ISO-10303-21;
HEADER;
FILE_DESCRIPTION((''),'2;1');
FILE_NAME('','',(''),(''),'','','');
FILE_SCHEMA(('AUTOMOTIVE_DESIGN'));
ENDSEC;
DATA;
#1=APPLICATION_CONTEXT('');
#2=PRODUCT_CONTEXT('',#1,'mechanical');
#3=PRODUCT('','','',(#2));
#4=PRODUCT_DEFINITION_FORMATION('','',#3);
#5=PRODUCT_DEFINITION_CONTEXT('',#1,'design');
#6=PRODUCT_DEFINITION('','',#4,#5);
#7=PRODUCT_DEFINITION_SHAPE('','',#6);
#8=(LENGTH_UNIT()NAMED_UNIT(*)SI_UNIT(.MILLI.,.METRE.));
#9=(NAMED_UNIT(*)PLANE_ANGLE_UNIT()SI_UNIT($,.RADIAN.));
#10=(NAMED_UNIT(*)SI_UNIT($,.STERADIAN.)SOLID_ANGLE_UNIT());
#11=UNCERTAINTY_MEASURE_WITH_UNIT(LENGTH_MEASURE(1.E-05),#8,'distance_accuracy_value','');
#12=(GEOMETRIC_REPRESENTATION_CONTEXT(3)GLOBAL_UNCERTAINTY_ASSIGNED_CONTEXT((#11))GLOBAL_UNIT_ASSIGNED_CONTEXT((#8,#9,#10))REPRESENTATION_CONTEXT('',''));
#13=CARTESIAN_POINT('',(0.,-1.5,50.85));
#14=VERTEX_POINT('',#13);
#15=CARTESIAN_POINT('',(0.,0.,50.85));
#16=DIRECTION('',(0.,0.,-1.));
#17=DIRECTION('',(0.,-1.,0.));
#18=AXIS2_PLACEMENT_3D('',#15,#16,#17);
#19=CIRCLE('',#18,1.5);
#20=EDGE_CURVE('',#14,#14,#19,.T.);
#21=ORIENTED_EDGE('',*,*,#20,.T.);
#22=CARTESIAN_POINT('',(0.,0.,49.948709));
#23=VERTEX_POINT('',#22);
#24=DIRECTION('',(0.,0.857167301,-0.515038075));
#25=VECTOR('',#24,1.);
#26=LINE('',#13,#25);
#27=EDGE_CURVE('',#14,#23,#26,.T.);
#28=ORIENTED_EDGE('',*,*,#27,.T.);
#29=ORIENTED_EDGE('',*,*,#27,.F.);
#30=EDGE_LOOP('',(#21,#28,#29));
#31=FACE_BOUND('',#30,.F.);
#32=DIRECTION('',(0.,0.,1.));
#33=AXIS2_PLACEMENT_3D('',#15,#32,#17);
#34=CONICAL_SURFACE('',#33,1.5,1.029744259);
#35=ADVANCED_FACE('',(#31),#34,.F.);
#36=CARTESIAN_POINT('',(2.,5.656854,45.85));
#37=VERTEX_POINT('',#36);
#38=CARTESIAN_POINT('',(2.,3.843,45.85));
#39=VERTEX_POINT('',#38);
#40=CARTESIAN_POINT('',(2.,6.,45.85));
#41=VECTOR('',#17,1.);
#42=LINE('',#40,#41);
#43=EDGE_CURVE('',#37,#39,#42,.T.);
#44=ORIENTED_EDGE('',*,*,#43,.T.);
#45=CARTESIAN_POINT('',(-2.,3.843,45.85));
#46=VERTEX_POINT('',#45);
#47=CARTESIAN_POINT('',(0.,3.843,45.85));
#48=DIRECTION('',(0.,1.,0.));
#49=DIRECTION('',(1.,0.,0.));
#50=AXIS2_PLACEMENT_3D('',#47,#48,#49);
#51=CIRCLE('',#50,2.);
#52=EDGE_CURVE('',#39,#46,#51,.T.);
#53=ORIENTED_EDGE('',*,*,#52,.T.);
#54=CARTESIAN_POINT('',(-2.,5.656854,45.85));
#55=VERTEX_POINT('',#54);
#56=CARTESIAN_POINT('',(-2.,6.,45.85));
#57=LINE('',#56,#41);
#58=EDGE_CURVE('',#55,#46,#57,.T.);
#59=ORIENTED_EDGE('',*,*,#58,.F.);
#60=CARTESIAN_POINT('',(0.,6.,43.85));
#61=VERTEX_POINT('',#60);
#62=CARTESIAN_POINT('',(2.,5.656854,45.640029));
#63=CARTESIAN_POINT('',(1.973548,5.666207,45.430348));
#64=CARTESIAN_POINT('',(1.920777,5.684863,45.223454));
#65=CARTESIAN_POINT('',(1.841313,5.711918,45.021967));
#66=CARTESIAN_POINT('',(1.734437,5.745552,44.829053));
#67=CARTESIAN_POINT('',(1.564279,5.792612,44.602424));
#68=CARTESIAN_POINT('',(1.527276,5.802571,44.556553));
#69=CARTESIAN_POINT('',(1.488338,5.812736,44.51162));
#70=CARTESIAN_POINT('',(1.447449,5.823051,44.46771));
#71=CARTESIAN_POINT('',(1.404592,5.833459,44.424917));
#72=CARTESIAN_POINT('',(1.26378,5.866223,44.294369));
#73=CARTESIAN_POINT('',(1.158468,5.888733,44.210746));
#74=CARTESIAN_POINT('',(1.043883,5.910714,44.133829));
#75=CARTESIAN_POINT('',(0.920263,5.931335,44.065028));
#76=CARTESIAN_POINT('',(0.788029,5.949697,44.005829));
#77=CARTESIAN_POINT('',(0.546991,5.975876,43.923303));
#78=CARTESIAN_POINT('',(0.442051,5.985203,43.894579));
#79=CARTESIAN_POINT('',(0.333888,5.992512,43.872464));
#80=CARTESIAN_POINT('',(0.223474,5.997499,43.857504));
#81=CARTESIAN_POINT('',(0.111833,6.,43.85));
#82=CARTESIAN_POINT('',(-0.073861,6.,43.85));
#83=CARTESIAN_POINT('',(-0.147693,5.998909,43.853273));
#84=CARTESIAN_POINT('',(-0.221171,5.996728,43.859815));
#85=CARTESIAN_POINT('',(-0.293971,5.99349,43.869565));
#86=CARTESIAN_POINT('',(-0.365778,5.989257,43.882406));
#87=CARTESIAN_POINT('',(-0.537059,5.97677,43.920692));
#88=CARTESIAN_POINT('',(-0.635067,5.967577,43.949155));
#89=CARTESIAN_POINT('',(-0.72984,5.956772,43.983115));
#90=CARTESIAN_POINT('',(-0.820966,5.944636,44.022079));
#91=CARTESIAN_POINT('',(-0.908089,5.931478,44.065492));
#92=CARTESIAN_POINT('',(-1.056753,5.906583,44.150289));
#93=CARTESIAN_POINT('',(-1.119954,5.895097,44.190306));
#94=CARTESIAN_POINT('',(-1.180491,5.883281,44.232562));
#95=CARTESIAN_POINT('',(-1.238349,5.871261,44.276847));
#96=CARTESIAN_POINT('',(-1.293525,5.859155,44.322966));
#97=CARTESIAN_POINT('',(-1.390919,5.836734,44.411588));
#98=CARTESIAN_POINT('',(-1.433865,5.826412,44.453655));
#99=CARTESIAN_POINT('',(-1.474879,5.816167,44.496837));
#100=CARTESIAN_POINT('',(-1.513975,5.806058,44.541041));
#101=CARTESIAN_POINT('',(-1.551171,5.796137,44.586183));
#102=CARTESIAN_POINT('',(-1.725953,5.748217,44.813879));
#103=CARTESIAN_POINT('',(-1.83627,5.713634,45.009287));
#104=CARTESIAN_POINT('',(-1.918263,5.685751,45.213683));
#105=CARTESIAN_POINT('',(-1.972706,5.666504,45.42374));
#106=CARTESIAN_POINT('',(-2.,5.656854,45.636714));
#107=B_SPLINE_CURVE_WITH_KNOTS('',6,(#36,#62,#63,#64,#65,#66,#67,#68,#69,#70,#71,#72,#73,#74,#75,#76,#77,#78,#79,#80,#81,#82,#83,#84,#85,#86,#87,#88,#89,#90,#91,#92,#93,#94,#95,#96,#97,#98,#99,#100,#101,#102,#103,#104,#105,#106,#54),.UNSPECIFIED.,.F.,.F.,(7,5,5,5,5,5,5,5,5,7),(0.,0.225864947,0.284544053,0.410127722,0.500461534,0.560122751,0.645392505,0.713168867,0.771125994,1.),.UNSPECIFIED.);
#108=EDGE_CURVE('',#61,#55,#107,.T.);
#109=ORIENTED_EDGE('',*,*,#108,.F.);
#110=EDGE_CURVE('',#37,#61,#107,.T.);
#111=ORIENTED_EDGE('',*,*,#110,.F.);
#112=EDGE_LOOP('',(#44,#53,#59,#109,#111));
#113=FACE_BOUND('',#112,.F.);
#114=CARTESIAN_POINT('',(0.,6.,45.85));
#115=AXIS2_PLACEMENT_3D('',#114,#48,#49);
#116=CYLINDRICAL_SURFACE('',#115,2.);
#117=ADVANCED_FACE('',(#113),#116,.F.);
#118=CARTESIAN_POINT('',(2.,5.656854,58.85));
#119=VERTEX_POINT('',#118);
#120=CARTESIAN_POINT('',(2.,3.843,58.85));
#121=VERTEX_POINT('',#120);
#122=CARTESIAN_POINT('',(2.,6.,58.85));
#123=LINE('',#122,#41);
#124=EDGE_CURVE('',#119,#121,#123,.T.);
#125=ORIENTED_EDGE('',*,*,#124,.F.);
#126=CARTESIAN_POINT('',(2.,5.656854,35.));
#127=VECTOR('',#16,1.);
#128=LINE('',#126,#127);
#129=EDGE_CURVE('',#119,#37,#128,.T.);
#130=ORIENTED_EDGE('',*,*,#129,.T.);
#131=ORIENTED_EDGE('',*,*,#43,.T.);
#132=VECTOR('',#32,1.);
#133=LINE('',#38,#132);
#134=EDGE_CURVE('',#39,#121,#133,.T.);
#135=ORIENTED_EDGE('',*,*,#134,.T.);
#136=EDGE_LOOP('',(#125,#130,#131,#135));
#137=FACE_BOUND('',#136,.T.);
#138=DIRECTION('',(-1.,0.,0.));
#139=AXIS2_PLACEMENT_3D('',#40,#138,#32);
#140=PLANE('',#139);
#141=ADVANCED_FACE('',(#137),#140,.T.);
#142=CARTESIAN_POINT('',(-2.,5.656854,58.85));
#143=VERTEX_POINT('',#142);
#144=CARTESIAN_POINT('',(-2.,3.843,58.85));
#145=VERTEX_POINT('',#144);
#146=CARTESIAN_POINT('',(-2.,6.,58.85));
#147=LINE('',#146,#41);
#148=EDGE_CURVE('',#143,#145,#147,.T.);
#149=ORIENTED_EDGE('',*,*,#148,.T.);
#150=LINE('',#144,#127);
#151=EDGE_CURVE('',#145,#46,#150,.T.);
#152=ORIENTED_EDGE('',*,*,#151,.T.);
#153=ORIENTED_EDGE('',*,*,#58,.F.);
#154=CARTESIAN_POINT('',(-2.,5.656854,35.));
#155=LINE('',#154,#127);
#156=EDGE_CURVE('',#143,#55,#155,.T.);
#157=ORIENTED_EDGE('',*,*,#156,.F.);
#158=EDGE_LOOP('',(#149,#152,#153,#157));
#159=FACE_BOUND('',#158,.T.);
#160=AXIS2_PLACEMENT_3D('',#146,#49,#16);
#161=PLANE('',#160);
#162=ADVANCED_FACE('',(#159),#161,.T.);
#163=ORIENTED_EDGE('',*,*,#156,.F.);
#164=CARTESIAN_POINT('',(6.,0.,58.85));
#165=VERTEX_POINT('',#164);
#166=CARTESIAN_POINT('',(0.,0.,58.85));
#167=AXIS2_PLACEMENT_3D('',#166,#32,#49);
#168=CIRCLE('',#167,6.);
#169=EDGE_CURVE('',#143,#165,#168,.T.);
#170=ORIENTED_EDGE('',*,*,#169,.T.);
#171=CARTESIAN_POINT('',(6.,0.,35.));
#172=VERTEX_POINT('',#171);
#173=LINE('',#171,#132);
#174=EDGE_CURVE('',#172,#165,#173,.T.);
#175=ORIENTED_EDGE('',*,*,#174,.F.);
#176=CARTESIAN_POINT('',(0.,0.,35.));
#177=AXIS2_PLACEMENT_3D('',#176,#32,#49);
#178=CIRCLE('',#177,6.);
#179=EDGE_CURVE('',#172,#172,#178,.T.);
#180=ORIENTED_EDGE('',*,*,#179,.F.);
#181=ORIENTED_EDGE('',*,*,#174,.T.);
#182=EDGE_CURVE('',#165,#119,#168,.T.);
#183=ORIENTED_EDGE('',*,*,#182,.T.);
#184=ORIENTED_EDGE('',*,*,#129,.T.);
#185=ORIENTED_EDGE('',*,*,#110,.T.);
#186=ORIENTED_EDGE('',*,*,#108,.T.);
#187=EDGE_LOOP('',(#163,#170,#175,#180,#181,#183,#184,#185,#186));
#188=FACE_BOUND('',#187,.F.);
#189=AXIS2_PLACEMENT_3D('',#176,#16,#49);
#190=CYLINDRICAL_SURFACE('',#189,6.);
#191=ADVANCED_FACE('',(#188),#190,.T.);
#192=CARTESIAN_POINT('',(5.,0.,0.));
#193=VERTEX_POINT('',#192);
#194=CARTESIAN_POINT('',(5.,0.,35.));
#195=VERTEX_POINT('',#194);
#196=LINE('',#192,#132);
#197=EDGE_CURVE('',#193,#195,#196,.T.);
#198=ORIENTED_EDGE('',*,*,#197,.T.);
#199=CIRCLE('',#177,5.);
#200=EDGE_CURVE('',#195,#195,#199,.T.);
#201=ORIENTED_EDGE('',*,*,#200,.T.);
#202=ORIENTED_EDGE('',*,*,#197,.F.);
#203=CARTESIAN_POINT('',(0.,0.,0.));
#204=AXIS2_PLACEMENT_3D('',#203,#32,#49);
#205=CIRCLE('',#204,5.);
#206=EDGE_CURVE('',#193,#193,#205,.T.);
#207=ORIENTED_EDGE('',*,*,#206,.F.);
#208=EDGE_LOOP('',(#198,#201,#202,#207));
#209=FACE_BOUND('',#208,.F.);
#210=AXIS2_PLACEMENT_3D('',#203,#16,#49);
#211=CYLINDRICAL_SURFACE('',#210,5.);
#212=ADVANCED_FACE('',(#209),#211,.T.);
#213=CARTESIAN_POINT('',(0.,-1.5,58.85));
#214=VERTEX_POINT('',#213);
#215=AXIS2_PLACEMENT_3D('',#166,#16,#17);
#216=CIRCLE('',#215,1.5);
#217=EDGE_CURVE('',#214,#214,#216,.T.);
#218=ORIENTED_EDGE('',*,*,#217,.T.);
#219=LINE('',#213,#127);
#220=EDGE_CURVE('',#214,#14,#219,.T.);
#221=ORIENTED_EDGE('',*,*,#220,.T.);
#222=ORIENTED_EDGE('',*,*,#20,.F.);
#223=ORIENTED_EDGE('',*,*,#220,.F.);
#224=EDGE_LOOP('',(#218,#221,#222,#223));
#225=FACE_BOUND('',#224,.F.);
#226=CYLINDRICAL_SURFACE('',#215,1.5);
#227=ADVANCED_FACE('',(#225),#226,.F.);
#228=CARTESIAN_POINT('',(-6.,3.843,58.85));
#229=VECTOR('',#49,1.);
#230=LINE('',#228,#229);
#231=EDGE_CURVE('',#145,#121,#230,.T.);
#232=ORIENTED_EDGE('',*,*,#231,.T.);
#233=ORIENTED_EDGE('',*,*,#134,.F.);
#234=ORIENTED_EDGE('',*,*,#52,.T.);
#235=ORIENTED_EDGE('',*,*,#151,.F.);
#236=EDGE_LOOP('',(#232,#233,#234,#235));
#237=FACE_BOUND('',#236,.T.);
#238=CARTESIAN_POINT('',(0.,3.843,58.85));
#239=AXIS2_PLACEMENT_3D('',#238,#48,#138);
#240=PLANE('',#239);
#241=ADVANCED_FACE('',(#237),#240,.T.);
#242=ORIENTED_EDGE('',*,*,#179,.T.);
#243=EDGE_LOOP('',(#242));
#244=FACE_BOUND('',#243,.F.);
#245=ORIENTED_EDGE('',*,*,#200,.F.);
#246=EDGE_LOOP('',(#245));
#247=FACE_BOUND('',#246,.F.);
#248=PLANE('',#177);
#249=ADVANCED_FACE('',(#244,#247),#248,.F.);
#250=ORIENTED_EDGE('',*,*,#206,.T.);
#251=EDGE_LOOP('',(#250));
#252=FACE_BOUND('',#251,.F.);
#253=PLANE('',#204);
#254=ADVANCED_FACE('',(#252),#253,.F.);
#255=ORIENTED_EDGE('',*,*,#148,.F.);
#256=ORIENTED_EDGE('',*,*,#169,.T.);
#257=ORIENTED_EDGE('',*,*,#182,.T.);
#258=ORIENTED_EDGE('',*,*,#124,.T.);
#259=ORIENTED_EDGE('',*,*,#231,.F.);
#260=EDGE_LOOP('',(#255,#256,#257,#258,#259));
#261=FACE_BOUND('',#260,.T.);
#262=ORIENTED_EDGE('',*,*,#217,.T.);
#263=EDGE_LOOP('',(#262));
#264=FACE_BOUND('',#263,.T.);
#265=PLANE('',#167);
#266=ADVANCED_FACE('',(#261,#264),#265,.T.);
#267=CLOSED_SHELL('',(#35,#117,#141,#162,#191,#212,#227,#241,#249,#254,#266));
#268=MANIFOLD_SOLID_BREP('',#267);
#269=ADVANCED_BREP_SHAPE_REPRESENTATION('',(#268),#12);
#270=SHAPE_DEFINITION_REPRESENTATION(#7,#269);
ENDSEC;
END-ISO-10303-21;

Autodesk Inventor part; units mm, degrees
ref_plane "YZ Plane" through (0, 0, 0) normal (1, 0, 0) x (0, 1, 0)
ref_plane "XZ Plane" through (0, 0, 0) normal (0, 1, 0) x (-1, 0, 0)
sketch "スケッチ1" plane through (0, 0, 0) normal (0, 0, 1) x (1, 0, 0)
  point P0 (0, 0)
sketch "スケッチ2" plane through (0, 0, 0) normal (0, 0, 1) x (1, 0, 0)
  circle A0 centre (0, 0) radius 5
  dimension "d0" = 10
extrude "押し出し1" add sketch "スケッチ2" along normal blind 35
thread "ねじ1" size "M10x1.5" class "6g" standard "ANSI Metric M Profile" length 10
sketch "スケッチ3" plane through (0, 0, 35) normal (0, 0, 1) x (1, 0, 0)
  point P0 (0, 0)
sketch "スケッチ4" plane through (0, 0, 35) normal (0, 0, 1) x (1, 0, 0)
  circle A0 centre (0, 0) radius 6
  dimension "d5" = 12
extrude "押し出し2" add sketch "スケッチ4" along normal blind 23.85
sketch "スケッチ5" plane through (0, 0, 58.85) normal (0, 0, 1) x (1, 0, 0)
  line L0 (0, 0) -> (0, 6)
  circle A0 centre (0, 0) radius 6 projected
ref_plane "作業平面1" through (0, 6, 58.85) normal (0, 1, 0) x (-1, 0, 0)
sketch "スケッチ6" plane through (0, 6, 58.85) normal (0, 1, 0) x (-1, 0, 0)
  line L0 (6, 0) -> (-6, 0) projected
  line L1 (-2, 0) -> (2, 0)
  line L2 (2, 0) -> (2, -13)
  line L3 (-2, -13) -> (-2, 0)
  arc A0 (-2, -13) -> (2, -13) centre (0, -13) ccw
  point P0 (0, -58.85)
  point P1 (0, 0)
  dimension "d8" = 2
  dimension "d9" = 2
  dimension "d12" = 4
extrude "押し出し3" cut sketch "スケッチ6" against normal blind 2.157
sketch "スケッチ7" plane through (0, 0, 58.85) normal (0, 0, 1) x (1, 0, 0)
  point P0 (0, 0)
  point P1 (0, 0)
hole "穴1" at (0, 0, 58.85) direction (0, 0, -1) diameter 3 depth 8 tip angle 118
thread "ねじ2" size "M3x0.5" class "6H" standard "ANSI Metric M Profile" full length
properties part number "回転アーム付き計測輪シャフト"
